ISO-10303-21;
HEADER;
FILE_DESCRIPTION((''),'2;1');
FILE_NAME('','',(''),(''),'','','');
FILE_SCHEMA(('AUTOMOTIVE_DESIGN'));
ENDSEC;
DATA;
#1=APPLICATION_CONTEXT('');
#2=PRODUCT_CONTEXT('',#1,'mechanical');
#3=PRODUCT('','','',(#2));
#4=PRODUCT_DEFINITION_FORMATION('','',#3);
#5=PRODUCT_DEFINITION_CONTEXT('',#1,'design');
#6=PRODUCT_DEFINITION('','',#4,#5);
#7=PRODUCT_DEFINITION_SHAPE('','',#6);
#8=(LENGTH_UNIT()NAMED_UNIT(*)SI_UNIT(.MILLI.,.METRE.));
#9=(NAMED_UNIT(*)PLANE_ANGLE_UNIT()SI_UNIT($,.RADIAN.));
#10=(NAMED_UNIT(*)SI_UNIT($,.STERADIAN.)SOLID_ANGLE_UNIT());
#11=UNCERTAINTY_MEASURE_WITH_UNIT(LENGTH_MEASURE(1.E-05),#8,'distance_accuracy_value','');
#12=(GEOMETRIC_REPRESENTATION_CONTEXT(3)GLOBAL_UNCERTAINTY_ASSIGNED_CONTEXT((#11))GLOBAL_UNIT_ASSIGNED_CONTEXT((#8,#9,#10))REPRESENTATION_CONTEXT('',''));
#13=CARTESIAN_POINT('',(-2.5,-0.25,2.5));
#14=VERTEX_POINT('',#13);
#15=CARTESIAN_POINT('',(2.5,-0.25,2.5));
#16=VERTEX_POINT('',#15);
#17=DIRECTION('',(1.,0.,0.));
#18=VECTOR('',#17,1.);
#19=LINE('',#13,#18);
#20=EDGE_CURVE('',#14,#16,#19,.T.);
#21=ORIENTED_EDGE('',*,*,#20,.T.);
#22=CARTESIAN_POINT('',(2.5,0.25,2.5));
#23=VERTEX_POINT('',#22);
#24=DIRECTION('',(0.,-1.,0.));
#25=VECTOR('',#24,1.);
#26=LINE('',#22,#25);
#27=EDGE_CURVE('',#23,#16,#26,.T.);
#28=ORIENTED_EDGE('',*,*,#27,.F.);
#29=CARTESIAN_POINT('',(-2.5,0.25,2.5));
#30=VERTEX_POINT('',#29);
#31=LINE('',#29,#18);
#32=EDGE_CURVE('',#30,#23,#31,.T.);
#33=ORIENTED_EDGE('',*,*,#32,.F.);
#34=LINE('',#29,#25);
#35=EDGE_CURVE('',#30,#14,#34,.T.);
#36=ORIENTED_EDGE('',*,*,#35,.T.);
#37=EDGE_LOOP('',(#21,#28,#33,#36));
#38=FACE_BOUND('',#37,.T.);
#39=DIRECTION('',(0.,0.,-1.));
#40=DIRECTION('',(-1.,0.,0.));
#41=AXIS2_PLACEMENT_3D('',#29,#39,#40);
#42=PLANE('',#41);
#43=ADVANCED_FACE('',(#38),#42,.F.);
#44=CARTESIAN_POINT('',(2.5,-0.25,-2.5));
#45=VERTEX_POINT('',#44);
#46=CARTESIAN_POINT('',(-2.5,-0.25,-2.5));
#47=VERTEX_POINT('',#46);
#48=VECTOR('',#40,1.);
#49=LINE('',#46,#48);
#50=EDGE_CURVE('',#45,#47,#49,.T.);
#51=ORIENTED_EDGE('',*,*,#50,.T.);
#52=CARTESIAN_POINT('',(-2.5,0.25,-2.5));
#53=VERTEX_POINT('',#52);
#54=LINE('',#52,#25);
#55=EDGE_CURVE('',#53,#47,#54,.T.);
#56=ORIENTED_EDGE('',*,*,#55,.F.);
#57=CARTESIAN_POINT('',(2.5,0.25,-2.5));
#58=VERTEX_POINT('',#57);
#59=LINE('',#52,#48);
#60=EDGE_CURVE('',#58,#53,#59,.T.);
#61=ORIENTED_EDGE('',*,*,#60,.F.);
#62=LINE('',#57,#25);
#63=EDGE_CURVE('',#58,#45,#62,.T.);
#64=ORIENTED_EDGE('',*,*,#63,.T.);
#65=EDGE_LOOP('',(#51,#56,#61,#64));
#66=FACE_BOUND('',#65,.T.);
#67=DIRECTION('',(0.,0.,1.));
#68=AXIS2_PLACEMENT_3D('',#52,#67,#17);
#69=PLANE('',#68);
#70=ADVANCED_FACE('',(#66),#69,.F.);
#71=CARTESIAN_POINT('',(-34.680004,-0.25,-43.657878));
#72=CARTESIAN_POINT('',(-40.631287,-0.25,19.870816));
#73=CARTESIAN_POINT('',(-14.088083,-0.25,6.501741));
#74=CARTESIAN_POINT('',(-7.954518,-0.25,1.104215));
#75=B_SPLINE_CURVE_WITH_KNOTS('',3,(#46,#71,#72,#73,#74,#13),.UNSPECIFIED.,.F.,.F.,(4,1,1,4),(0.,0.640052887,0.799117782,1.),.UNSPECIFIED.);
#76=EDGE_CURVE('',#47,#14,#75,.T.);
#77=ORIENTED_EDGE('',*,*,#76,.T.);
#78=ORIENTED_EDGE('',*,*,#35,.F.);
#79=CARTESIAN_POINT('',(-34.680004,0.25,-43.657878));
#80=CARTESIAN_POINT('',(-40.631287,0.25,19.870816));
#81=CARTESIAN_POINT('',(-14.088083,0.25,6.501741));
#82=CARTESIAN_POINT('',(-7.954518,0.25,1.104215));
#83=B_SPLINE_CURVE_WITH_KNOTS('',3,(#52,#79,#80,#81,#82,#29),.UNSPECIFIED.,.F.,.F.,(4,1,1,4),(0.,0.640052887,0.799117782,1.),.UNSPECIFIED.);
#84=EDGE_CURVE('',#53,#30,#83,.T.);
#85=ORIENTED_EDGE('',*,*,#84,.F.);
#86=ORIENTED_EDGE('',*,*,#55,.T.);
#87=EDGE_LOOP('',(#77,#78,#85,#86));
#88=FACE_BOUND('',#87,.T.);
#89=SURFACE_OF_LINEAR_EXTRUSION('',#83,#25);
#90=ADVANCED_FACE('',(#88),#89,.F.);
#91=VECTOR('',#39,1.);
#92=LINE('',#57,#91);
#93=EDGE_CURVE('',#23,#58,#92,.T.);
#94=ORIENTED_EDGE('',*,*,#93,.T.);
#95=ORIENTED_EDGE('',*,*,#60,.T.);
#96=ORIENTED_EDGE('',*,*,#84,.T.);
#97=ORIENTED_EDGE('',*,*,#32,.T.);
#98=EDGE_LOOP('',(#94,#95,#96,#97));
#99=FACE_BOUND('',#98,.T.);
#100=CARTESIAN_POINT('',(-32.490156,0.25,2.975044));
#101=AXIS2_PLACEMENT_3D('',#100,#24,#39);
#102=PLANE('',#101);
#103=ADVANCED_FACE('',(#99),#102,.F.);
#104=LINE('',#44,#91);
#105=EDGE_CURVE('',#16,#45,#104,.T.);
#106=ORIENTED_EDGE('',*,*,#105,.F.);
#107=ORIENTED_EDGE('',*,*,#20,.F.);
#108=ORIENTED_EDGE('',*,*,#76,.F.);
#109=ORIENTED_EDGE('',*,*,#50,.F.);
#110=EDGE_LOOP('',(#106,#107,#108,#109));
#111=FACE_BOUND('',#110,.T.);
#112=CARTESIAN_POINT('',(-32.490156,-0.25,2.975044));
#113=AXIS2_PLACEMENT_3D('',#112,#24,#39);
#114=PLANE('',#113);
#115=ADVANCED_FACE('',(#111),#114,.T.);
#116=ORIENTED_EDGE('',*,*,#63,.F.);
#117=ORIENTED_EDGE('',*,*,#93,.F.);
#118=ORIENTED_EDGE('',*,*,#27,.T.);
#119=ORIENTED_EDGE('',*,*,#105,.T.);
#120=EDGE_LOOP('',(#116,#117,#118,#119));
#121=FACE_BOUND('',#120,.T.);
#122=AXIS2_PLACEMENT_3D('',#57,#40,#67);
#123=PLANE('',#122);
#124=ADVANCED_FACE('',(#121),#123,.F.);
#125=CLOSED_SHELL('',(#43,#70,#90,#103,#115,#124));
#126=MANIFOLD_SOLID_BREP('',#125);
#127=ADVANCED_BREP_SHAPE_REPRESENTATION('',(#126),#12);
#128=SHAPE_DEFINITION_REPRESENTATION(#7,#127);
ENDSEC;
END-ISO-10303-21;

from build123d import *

# Parameters (mm, degrees)
BOSS_EXTRUDE2_DEPTH = 0.25


with BuildPart() as part:
    # Sketch1 → Boss-Extrude2 (new, symmetric)
    with BuildSketch(Plane(origin=(0, 0, 0), x_dir=(1, 0, 0), z_dir=(0, 1, 0))):
        with BuildLine():
            Line((-2.5, 2.5), (2.5, 2.5))
            Line((2.5, 2.5), (2.5, -2.5))
            Line((2.5, -2.5), (-2.5, -2.5))
            add(Edge.make_bspline(
                [(-2.5, -2.5), (-7.954517828, -1.104215092), (-14.088083086, -6.501740899), (-40.631286552, -19.870816294), (-34.680003686, 43.65787791), (-2.5, 2.5)],
                knots=[0, 0, 0, 0, 0.200882218, 0.359947113, 1, 1, 1, 1], degree=3))
        make_face()
    extrude(amount=BOSS_EXTRUDE2_DEPTH, both=True)


solid = part.part
